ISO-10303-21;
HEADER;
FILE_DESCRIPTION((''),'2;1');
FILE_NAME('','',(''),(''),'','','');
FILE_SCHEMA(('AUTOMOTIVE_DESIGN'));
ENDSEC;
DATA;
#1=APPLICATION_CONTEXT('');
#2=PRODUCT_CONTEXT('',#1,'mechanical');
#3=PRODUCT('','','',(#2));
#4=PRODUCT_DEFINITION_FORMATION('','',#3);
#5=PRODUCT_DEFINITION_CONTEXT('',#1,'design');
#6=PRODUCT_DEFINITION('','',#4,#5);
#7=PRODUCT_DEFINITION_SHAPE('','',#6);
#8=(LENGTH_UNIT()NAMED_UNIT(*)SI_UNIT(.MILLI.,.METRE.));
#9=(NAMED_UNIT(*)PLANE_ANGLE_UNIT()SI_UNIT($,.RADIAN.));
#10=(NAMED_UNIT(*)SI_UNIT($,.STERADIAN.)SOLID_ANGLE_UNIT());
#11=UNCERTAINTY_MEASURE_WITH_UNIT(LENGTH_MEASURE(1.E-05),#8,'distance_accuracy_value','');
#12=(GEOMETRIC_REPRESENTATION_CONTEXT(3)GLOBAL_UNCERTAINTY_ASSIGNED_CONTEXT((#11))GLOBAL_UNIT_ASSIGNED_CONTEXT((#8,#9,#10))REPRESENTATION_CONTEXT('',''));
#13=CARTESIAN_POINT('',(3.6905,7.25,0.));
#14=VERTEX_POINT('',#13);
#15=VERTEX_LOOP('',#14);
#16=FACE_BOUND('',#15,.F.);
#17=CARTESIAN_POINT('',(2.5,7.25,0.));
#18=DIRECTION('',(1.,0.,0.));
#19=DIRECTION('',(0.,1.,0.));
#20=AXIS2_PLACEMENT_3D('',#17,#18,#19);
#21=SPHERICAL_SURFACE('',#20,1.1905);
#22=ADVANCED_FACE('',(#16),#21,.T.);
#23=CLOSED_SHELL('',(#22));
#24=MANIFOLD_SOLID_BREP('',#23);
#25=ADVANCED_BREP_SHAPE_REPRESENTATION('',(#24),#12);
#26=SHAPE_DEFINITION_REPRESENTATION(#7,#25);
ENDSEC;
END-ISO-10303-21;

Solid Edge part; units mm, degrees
sketch "Sketch1" plane through (0, 0, 0) normal (0, 0, 1) x (1, 0, 0)
  arc A0 (1.3095, 7.25) -> (3.6905, 7.25) centre (2.5, 7.25) cw
  line L0 (3.6905, 7.25) -> (1.3095, 7.25)
revolve "RevolvedProtrusion1" add sketch "Sketch1" angle 360 about axis through (3.6905, 7.25, 0) along (-1, 0, 0)
properties part number "SKF_61800-2RS1_ball1"
